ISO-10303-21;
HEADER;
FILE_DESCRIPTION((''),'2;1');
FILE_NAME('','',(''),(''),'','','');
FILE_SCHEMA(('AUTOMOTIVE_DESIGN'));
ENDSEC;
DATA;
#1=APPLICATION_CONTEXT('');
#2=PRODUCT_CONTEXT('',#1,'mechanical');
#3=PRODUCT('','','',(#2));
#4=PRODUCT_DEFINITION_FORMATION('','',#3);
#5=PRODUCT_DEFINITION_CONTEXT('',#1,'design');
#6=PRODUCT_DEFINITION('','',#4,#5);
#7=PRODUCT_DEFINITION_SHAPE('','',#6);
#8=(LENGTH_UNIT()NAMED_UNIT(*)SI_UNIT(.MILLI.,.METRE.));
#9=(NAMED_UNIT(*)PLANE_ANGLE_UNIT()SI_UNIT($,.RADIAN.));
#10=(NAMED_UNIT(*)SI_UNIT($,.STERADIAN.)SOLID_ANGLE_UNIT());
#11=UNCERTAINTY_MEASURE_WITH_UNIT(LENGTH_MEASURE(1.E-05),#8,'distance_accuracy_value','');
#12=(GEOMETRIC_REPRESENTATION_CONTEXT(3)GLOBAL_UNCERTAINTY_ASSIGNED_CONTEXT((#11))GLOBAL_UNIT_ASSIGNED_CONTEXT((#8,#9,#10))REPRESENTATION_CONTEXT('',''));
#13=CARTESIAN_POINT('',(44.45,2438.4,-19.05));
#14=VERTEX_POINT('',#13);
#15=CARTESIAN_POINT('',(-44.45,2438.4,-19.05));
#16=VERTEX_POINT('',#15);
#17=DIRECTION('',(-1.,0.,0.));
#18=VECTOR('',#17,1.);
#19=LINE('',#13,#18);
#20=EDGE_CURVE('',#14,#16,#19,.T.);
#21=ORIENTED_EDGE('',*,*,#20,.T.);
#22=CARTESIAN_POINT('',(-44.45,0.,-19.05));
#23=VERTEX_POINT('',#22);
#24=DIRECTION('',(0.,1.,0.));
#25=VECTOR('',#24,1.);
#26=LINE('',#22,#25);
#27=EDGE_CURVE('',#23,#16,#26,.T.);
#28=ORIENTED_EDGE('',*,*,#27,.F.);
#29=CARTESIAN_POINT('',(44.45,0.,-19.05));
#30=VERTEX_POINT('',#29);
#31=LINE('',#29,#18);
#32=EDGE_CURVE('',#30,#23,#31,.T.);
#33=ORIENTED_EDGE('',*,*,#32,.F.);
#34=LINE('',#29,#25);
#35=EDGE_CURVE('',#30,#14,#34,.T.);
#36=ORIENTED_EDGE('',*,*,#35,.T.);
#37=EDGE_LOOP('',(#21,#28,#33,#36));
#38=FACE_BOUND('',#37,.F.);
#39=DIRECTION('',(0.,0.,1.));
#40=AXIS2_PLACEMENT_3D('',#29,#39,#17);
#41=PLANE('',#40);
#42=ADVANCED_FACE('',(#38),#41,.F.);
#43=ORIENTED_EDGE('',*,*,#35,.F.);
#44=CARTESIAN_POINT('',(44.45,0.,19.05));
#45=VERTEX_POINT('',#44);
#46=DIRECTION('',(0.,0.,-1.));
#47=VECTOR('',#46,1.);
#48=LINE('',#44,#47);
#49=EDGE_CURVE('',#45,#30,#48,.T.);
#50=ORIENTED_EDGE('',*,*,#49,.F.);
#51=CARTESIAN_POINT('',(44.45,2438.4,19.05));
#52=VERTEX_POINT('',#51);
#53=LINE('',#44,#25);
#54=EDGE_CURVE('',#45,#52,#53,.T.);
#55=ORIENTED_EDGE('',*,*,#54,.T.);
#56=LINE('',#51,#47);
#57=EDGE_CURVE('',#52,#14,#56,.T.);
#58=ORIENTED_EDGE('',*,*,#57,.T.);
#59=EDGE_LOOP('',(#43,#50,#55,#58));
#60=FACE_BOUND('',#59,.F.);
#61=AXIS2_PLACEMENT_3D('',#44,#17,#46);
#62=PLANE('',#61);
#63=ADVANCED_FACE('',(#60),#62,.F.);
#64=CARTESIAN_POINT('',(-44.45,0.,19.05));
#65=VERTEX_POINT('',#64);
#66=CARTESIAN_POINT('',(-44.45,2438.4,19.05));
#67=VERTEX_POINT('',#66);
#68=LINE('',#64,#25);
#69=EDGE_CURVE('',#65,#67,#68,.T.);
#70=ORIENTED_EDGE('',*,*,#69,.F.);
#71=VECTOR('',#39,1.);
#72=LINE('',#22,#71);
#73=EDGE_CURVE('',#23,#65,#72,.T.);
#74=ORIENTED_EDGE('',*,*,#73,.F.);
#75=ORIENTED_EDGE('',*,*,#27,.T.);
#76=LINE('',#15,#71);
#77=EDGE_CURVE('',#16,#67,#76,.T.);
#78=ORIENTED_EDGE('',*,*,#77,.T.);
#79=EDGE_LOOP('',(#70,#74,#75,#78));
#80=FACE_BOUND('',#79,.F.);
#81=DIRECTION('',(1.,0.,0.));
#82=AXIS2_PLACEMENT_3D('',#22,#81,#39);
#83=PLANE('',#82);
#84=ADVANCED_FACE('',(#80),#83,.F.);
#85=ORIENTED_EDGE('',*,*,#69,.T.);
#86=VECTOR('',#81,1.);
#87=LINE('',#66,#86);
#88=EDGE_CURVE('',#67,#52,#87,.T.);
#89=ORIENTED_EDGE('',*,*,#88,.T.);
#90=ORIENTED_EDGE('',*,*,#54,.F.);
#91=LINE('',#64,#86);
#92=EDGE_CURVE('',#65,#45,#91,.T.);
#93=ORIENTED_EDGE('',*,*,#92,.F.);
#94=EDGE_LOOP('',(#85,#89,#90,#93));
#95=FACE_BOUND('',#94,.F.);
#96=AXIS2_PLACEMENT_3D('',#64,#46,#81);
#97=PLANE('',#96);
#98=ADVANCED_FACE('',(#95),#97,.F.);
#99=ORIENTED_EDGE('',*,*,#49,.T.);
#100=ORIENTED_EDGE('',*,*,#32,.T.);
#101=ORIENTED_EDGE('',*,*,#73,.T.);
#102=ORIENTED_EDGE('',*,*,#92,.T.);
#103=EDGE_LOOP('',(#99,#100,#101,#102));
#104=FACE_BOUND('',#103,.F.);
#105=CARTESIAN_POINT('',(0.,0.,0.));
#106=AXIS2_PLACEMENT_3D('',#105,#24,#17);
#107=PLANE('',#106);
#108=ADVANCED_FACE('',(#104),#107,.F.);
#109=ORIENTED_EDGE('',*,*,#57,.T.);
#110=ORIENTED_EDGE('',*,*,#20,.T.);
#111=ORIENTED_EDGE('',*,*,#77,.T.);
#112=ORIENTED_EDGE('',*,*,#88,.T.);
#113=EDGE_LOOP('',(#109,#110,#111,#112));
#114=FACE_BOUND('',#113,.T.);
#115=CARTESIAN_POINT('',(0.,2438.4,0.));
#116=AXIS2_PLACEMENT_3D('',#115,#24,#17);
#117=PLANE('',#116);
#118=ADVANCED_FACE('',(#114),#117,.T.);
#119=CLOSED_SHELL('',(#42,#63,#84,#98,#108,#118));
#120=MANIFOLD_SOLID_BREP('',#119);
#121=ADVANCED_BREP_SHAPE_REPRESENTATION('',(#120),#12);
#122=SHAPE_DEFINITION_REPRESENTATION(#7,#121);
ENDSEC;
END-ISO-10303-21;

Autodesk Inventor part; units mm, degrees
ref_plane "YZ Plane" through (0, 0, 0) normal (1, 0, 0) x (0, 1, 0)
ref_plane "XZ Plane" through (0, 0, 0) normal (0, 1, 0) x (-1, 0, 0)
ref_plane "XY Plane" through (0, 0, 0) normal (0, 0, 1) x (1, 0, 0)
sketch "Sketch1" plane through (0, 0, 0) normal (0, 1, 0) x (-1, 0, 0)
  line L0 (-44.45, -19.05) -> (44.45, -19.05)
  line L1 (44.45, -19.05) -> (44.45, 19.05)
  line L2 (44.45, 19.05) -> (-44.45, 19.05)
  line L3 (-44.45, 19.05) -> (-44.45, -19.05)
  line L4 (-44.45, -19.05) -> (44.45, 19.05) construction
  line L5 (44.45, -19.05) -> (-44.45, 19.05) construction
  point P0 (0, 0)
  dimension "d0" = 38.1
  dimension "d1" = 88.9
extrude "Extrusion1" add sketch "Sketch1" along normal blind 2438.4
properties part number "2x4x96"
